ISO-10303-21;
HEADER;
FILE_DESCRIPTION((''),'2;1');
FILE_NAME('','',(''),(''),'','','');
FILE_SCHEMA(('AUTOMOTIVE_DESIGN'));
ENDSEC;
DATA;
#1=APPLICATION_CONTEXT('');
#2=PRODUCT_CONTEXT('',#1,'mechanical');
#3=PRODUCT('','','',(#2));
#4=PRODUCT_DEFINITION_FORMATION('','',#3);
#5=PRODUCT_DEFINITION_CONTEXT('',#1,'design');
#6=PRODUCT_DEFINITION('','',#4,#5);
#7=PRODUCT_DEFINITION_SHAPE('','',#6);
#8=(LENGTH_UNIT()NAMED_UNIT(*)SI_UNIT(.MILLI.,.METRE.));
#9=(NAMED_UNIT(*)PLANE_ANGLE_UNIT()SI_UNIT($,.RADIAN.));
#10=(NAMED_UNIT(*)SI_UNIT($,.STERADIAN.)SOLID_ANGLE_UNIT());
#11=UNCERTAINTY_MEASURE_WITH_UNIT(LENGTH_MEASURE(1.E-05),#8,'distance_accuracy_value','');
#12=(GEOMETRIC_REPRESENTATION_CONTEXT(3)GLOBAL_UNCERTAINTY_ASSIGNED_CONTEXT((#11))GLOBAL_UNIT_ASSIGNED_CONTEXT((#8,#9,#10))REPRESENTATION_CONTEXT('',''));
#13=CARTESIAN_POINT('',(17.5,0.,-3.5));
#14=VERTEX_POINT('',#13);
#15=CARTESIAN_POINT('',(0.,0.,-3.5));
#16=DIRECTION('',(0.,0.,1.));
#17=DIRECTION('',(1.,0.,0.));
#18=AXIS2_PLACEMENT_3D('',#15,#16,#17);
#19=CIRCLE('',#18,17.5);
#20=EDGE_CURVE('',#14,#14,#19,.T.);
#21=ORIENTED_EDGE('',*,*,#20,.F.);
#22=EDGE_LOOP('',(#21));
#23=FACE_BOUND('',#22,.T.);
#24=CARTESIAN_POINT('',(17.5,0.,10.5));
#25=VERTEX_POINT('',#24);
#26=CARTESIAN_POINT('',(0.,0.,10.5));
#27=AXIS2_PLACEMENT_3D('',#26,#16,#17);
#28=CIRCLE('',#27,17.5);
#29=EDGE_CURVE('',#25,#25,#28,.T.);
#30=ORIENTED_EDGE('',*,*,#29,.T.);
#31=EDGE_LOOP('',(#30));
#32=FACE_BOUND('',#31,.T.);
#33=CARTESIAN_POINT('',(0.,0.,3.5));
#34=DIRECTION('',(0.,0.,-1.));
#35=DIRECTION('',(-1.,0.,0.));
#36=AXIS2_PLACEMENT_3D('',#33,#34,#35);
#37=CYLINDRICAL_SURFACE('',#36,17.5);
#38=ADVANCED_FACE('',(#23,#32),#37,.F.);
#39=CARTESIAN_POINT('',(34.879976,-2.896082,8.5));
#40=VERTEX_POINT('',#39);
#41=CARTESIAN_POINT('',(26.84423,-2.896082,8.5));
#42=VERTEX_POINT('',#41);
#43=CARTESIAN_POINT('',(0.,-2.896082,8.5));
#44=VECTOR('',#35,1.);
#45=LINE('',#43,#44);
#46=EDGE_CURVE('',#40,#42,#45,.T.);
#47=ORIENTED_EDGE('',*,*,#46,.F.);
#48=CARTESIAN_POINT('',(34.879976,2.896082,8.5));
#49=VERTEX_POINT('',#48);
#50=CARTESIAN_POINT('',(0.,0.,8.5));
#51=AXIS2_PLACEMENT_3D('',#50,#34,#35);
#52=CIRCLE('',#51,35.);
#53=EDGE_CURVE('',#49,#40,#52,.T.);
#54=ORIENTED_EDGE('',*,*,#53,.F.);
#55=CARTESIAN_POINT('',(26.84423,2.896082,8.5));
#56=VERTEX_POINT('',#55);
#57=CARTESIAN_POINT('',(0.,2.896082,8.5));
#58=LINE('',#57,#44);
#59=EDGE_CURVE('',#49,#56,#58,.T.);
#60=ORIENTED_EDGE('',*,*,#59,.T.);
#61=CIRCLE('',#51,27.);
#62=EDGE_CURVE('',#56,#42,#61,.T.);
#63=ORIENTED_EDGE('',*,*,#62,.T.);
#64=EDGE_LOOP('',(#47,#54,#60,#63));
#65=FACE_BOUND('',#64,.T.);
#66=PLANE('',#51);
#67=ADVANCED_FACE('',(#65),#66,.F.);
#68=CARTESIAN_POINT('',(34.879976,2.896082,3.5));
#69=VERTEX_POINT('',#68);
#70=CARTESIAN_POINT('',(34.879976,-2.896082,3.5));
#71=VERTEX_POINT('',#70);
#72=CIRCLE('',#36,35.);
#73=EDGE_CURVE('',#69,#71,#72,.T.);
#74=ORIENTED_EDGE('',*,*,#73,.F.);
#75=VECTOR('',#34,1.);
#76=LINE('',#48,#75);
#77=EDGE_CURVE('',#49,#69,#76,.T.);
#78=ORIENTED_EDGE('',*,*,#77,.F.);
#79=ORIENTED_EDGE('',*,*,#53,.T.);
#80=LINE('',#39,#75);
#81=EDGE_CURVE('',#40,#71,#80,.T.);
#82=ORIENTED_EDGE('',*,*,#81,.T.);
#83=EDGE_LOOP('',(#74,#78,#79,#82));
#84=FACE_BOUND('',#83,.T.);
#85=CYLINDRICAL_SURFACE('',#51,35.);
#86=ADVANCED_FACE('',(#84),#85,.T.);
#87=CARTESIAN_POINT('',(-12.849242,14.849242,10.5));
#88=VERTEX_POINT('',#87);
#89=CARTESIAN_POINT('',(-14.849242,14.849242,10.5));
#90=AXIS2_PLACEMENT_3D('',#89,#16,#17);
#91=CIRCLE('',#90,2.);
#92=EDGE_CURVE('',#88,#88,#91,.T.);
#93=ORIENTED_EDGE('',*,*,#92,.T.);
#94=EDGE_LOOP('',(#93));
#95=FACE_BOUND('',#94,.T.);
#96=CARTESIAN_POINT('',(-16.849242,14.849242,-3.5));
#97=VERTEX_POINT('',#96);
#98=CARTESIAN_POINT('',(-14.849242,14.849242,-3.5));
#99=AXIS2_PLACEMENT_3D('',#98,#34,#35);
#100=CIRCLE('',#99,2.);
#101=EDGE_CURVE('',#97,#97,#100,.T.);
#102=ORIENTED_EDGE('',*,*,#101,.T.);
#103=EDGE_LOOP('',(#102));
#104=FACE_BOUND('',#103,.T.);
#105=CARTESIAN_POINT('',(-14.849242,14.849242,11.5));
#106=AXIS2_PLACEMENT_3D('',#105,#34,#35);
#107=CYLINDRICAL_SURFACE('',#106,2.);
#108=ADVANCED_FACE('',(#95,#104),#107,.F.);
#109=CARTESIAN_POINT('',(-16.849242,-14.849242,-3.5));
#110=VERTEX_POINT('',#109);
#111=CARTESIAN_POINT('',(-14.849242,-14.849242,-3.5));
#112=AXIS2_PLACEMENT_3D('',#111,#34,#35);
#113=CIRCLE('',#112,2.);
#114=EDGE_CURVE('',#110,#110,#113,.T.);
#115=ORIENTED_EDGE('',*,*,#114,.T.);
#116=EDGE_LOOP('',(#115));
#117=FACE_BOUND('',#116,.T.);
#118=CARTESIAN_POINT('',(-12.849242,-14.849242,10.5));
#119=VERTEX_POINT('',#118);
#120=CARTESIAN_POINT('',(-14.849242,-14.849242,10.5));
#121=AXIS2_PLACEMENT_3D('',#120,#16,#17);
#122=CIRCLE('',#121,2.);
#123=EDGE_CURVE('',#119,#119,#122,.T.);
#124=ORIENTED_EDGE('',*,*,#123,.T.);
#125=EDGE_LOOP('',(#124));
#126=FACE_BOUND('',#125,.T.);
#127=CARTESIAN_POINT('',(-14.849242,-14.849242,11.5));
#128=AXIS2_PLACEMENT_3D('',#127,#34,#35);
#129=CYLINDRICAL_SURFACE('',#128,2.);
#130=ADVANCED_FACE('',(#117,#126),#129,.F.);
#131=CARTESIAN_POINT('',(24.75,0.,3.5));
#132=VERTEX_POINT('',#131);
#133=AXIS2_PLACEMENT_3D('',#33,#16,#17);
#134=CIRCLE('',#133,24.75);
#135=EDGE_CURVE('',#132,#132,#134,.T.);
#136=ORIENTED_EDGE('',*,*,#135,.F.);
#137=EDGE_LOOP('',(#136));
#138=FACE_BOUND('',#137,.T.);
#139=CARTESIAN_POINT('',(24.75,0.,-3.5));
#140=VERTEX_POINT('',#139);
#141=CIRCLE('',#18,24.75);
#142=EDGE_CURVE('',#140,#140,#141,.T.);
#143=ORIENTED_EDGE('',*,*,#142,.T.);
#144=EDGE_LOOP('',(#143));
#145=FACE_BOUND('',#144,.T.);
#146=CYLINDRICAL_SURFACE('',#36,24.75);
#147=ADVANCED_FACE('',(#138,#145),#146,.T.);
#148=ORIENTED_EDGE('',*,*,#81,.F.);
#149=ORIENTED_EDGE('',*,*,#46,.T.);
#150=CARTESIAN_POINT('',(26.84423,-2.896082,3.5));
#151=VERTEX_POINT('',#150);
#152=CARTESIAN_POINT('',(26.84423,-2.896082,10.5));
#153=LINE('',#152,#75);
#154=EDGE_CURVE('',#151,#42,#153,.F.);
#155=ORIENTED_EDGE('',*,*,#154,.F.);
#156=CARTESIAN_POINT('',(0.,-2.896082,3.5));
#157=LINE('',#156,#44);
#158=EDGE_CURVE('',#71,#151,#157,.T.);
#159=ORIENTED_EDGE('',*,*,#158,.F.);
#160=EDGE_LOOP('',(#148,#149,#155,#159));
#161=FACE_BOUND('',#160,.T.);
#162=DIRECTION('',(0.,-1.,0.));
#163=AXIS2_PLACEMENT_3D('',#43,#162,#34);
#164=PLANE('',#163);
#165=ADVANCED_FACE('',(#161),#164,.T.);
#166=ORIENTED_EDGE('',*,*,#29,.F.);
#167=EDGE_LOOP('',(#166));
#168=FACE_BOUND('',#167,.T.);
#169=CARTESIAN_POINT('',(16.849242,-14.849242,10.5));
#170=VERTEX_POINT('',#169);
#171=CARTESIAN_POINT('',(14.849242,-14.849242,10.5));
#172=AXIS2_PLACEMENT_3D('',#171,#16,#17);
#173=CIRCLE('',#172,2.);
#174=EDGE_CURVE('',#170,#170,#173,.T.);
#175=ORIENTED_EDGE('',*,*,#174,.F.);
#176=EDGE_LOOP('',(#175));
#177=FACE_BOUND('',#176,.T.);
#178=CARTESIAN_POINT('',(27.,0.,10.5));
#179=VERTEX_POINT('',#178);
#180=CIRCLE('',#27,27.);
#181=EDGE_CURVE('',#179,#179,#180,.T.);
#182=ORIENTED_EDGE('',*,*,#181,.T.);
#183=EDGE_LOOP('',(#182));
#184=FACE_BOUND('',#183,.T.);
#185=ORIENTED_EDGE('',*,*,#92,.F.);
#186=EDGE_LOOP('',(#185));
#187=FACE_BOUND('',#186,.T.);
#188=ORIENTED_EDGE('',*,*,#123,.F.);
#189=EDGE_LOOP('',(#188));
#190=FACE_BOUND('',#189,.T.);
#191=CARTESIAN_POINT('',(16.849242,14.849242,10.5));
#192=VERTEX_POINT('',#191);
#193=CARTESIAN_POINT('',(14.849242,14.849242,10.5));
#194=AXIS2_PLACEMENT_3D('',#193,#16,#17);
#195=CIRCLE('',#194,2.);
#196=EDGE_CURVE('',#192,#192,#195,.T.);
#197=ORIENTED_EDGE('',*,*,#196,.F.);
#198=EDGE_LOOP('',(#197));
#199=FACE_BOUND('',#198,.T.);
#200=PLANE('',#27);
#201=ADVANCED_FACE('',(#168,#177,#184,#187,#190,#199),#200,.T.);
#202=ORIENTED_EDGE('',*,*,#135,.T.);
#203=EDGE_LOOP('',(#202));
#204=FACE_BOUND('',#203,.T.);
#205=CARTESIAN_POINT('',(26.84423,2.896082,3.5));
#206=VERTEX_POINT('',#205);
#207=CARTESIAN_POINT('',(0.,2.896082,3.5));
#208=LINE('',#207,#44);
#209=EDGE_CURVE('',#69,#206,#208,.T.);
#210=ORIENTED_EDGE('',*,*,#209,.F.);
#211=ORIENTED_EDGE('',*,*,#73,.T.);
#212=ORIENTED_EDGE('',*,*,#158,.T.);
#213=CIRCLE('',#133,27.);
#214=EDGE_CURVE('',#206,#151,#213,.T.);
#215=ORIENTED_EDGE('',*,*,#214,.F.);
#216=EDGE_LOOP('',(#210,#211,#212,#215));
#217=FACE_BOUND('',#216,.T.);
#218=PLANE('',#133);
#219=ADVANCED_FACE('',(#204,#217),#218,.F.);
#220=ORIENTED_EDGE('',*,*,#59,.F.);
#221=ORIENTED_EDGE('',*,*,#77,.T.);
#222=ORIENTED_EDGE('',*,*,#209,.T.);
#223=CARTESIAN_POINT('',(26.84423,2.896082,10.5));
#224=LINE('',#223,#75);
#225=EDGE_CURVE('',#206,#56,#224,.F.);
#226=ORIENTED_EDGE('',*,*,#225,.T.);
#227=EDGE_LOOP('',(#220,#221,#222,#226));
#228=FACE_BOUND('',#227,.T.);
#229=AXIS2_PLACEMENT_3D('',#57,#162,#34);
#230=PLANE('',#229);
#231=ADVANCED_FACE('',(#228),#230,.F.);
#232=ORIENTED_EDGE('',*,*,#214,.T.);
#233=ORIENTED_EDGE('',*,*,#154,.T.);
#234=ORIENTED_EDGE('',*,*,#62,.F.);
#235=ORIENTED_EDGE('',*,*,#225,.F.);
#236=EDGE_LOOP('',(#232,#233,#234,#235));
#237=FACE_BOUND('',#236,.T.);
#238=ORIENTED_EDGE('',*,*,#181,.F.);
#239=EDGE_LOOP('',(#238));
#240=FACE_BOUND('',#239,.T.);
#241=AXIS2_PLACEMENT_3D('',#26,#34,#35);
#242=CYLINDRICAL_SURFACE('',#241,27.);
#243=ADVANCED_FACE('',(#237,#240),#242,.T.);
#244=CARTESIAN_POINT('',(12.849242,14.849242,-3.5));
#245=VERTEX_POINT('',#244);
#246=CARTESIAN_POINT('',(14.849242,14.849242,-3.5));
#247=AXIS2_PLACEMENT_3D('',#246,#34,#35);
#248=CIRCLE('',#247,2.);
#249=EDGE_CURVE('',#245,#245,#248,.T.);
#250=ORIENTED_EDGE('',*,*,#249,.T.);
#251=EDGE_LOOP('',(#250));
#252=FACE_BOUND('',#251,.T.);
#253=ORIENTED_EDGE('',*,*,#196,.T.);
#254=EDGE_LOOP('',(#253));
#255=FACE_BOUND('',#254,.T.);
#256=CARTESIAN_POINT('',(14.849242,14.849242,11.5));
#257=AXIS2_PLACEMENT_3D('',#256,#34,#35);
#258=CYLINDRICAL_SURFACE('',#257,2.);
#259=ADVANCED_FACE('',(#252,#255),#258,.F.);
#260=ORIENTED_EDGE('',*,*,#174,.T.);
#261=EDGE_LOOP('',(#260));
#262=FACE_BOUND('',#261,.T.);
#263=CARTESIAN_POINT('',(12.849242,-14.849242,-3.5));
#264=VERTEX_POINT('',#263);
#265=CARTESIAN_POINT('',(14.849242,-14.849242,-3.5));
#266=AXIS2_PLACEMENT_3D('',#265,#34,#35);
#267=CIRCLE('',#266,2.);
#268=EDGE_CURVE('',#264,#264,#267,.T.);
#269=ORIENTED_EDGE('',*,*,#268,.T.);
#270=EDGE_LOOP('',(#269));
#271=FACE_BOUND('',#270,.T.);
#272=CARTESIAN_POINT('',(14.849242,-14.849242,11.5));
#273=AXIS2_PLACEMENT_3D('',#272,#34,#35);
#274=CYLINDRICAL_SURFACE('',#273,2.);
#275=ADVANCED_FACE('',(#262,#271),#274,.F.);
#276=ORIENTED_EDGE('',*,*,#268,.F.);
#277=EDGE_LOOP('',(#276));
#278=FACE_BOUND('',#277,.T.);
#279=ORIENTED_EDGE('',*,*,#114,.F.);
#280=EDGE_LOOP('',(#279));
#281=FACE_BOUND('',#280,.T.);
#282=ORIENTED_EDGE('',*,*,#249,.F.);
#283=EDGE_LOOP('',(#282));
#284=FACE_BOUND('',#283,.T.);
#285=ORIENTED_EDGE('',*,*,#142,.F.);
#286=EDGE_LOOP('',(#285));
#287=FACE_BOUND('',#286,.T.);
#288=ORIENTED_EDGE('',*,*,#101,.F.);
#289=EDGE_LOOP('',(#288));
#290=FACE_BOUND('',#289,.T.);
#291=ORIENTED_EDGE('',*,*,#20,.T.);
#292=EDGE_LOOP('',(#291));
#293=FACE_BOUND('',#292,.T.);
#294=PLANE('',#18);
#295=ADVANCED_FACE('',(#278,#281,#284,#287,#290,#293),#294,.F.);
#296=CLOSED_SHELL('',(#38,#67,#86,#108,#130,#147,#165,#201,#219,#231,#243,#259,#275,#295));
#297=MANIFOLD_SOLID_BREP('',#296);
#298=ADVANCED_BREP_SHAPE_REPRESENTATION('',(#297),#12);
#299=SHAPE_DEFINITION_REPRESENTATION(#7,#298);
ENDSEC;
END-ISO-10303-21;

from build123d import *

# Parameters (mm, degrees)
SKETCH_1_R          = 24.75
SKETCH_1_R_2        = 17.5
EXTRUDE_1_DEPTH     = 3.5
SKETCH_2_R          = 27
SKETCH_2_R_2        = 17.5
EXTRUDE_2_DEPTH     = 7
SKETCH_3_R          = 2
CUT_EXTRUDE_1_DEPTH = 15
EXTRUDE_3_DEPTH     = 5


with BuildPart() as part:
    # 草图1 → 凸台-拉伸1 (new, symmetric)
    with BuildSketch(Plane.XY):
        Circle(SKETCH_1_R)
        Circle(SKETCH_1_R_2, mode=Mode.SUBTRACT)
    extrude(amount=EXTRUDE_1_DEPTH, both=True)

    # 草图2 → 凸台-拉伸2 (add)
    with BuildSketch(Plane.XY.offset(3.5)):
        Circle(SKETCH_2_R)
        Circle(SKETCH_2_R_2, mode=Mode.SUBTRACT)
    extrude(amount=EXTRUDE_2_DEPTH)

    # 草图3 → 切除-拉伸1 (cut)
    with BuildSketch(Plane(origin=(0, 0, -3.5), x_dir=(-1, 0, 0), z_dir=(0, 0, -1))):
        with Locations((14.849242405, 14.849242405)):
            Circle(SKETCH_3_R)
        with Locations((14.849242405, -14.849242405)):
            Circle(SKETCH_3_R)
        with Locations((-14.849242405, -14.849242405)):
            Circle(SKETCH_3_R)
        with Locations((-14.849242405, 14.849242405)):
            Circle(SKETCH_3_R)
    extrude(amount=-CUT_EXTRUDE_1_DEPTH, mode=Mode.SUBTRACT)

    # 草图4 → 凸台-拉伸3 (add)
    with BuildSketch(Plane(origin=(0, 0, 3.5), x_dir=(-1, 0, 0), z_dir=(0, 0, -1))):
        with BuildLine():
            ThreePointArc((27, 0), (1.450134249, 26.961029481), (-26.844230419, 2.896082389))
            Line((-26.844230419, 2.896082389), (-24.579975728, 2.896082389))
            ThreePointArc((-24.579975728, 2.896082389), (1.45053451, 24.707457369), (24.75, 0))
            ThreePointArc((24.75, 0), (1.45053451, -24.707457369), (-24.579975728, -2.896082389))
            Line((-24.579975728, -2.896082389), (-26.844230419, -2.896082389))
            ThreePointArc((-26.844230419, -2.896082389), (1.450134249, -26.961029481), (27, 0))
        make_face()
        with BuildLine():
            Line((-24.579975728, 2.896082389), (-26.844230419, 2.896082389))
            ThreePointArc((-26.844230419, 2.896082389), (-27, 0), (-26.844230419, -2.896082389))
            Line((-26.844230419, -2.896082389), (-24.579975728, -2.896082389))
            ThreePointArc((-24.579975728, -2.896082389), (-24.75, 0), (-24.579975728, 2.896082389))
        make_face()
        with BuildLine():
            Line((-26.844230419, 2.896082389), (-34.879975728, 2.896082389))
            ThreePointArc((-34.879975728, 2.896082389), (-35, 0), (-34.879975728, -2.896082389))
            Line((-34.879975728, -2.896082389), (-26.844230419, -2.896082389))
            ThreePointArc((-26.844230419, -2.896082389), (-27, 0), (-26.844230419, 2.896082389))
        make_face()
    extrude(amount=-EXTRUDE_3_DEPTH)


solid = part.part
